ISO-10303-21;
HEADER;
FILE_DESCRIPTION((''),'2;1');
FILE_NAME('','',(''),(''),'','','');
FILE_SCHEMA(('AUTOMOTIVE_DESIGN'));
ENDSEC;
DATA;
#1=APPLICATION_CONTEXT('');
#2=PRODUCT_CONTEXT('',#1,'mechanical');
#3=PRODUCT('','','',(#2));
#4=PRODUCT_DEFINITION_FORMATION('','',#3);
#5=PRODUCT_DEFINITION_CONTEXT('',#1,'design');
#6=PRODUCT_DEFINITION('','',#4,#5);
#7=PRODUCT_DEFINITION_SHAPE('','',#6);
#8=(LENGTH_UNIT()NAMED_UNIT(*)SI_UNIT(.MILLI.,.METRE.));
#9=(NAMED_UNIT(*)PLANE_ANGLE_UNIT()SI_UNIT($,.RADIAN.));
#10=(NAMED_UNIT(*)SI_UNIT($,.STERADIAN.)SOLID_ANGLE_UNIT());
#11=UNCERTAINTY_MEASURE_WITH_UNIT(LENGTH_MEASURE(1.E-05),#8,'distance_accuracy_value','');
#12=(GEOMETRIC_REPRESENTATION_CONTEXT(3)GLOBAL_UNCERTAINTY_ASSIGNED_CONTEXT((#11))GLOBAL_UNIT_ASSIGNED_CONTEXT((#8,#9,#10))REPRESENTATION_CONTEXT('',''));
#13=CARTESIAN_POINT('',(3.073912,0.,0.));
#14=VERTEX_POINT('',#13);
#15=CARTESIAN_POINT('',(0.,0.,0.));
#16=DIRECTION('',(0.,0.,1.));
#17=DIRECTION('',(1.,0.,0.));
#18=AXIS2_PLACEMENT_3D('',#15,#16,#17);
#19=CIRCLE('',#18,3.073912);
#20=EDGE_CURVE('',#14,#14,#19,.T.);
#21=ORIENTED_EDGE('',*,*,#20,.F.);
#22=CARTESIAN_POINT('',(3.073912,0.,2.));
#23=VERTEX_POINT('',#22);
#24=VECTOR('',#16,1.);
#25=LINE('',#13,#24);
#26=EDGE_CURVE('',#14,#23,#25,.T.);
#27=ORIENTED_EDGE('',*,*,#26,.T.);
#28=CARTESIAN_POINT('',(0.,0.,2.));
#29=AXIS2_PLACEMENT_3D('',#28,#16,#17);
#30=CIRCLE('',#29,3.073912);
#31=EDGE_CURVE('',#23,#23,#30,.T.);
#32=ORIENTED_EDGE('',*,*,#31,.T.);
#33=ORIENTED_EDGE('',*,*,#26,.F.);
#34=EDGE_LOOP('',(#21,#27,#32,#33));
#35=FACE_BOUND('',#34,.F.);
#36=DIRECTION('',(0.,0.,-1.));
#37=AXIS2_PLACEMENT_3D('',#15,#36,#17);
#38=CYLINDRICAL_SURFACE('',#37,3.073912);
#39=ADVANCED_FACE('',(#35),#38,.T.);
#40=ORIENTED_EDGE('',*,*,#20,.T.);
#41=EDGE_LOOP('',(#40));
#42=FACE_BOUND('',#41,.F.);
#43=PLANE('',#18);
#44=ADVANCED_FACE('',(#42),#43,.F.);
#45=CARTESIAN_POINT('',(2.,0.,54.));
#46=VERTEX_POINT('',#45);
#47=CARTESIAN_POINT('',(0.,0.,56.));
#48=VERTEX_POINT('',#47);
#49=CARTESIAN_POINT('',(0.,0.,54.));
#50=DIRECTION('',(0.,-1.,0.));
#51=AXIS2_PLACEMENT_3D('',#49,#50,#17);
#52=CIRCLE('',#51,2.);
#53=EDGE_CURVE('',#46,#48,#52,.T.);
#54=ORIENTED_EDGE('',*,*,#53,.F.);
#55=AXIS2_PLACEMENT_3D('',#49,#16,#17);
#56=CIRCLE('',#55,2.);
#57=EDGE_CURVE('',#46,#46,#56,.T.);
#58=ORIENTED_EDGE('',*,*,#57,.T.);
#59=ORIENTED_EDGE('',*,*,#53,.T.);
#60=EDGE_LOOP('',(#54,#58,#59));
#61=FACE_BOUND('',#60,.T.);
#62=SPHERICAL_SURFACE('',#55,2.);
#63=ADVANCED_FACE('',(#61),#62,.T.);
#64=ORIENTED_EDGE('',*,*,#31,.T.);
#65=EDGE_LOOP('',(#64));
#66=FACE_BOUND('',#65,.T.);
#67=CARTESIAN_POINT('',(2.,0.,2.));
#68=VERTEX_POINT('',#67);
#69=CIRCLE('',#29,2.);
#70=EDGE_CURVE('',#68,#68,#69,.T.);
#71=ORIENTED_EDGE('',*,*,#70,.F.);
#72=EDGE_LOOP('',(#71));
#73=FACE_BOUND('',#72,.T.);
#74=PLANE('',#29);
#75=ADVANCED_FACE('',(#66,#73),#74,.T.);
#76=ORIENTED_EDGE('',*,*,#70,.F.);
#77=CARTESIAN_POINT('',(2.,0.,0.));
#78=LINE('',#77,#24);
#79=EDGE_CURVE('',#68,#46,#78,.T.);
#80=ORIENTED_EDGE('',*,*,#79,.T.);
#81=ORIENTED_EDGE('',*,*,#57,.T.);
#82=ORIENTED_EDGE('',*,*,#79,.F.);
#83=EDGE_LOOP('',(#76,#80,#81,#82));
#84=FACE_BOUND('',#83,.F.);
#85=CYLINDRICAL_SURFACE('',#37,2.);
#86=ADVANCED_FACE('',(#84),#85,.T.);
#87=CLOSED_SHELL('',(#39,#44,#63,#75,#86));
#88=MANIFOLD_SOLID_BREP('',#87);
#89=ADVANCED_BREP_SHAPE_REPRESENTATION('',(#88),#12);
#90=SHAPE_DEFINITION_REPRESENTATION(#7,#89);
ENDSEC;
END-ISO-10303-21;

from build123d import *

# Parameters (mm, degrees)
F0_R      = 2
F1_DEPTH  = 56
F0_R_2    = 3.0739118257
F1_FACE_R = 2
F2_DEPTH  = 2
F3_R      = 2


with BuildPart() as f1:
    # F0 (on Top) → F1 (new body)
    with BuildSketch(Plane.XY):
        Circle(F0_R)
    extrude(amount=F1_DEPTH)

    # F0 (on Top) + F1_face (on face) → F2 (join)
    with BuildSketch(Plane.XY):
        Circle(F0_R_2)
        Circle(F0_R, mode=Mode.SUBTRACT)
    with BuildSketch(Plane(origin=(0, 0, 0), x_dir=(1, 0, 0), z_dir=(0, 0, -1))):
        Circle(F1_FACE_R)
    extrude(amount=F2_DEPTH, dir=(0, 0, 1))

    # F3
    f3_edges = [f1.edges().sort_by_distance(p)[0] for p in [
        (-2, 0, 56),
    ]]
    fillet(f3_edges, radius=F3_R)


solid = f1.part
